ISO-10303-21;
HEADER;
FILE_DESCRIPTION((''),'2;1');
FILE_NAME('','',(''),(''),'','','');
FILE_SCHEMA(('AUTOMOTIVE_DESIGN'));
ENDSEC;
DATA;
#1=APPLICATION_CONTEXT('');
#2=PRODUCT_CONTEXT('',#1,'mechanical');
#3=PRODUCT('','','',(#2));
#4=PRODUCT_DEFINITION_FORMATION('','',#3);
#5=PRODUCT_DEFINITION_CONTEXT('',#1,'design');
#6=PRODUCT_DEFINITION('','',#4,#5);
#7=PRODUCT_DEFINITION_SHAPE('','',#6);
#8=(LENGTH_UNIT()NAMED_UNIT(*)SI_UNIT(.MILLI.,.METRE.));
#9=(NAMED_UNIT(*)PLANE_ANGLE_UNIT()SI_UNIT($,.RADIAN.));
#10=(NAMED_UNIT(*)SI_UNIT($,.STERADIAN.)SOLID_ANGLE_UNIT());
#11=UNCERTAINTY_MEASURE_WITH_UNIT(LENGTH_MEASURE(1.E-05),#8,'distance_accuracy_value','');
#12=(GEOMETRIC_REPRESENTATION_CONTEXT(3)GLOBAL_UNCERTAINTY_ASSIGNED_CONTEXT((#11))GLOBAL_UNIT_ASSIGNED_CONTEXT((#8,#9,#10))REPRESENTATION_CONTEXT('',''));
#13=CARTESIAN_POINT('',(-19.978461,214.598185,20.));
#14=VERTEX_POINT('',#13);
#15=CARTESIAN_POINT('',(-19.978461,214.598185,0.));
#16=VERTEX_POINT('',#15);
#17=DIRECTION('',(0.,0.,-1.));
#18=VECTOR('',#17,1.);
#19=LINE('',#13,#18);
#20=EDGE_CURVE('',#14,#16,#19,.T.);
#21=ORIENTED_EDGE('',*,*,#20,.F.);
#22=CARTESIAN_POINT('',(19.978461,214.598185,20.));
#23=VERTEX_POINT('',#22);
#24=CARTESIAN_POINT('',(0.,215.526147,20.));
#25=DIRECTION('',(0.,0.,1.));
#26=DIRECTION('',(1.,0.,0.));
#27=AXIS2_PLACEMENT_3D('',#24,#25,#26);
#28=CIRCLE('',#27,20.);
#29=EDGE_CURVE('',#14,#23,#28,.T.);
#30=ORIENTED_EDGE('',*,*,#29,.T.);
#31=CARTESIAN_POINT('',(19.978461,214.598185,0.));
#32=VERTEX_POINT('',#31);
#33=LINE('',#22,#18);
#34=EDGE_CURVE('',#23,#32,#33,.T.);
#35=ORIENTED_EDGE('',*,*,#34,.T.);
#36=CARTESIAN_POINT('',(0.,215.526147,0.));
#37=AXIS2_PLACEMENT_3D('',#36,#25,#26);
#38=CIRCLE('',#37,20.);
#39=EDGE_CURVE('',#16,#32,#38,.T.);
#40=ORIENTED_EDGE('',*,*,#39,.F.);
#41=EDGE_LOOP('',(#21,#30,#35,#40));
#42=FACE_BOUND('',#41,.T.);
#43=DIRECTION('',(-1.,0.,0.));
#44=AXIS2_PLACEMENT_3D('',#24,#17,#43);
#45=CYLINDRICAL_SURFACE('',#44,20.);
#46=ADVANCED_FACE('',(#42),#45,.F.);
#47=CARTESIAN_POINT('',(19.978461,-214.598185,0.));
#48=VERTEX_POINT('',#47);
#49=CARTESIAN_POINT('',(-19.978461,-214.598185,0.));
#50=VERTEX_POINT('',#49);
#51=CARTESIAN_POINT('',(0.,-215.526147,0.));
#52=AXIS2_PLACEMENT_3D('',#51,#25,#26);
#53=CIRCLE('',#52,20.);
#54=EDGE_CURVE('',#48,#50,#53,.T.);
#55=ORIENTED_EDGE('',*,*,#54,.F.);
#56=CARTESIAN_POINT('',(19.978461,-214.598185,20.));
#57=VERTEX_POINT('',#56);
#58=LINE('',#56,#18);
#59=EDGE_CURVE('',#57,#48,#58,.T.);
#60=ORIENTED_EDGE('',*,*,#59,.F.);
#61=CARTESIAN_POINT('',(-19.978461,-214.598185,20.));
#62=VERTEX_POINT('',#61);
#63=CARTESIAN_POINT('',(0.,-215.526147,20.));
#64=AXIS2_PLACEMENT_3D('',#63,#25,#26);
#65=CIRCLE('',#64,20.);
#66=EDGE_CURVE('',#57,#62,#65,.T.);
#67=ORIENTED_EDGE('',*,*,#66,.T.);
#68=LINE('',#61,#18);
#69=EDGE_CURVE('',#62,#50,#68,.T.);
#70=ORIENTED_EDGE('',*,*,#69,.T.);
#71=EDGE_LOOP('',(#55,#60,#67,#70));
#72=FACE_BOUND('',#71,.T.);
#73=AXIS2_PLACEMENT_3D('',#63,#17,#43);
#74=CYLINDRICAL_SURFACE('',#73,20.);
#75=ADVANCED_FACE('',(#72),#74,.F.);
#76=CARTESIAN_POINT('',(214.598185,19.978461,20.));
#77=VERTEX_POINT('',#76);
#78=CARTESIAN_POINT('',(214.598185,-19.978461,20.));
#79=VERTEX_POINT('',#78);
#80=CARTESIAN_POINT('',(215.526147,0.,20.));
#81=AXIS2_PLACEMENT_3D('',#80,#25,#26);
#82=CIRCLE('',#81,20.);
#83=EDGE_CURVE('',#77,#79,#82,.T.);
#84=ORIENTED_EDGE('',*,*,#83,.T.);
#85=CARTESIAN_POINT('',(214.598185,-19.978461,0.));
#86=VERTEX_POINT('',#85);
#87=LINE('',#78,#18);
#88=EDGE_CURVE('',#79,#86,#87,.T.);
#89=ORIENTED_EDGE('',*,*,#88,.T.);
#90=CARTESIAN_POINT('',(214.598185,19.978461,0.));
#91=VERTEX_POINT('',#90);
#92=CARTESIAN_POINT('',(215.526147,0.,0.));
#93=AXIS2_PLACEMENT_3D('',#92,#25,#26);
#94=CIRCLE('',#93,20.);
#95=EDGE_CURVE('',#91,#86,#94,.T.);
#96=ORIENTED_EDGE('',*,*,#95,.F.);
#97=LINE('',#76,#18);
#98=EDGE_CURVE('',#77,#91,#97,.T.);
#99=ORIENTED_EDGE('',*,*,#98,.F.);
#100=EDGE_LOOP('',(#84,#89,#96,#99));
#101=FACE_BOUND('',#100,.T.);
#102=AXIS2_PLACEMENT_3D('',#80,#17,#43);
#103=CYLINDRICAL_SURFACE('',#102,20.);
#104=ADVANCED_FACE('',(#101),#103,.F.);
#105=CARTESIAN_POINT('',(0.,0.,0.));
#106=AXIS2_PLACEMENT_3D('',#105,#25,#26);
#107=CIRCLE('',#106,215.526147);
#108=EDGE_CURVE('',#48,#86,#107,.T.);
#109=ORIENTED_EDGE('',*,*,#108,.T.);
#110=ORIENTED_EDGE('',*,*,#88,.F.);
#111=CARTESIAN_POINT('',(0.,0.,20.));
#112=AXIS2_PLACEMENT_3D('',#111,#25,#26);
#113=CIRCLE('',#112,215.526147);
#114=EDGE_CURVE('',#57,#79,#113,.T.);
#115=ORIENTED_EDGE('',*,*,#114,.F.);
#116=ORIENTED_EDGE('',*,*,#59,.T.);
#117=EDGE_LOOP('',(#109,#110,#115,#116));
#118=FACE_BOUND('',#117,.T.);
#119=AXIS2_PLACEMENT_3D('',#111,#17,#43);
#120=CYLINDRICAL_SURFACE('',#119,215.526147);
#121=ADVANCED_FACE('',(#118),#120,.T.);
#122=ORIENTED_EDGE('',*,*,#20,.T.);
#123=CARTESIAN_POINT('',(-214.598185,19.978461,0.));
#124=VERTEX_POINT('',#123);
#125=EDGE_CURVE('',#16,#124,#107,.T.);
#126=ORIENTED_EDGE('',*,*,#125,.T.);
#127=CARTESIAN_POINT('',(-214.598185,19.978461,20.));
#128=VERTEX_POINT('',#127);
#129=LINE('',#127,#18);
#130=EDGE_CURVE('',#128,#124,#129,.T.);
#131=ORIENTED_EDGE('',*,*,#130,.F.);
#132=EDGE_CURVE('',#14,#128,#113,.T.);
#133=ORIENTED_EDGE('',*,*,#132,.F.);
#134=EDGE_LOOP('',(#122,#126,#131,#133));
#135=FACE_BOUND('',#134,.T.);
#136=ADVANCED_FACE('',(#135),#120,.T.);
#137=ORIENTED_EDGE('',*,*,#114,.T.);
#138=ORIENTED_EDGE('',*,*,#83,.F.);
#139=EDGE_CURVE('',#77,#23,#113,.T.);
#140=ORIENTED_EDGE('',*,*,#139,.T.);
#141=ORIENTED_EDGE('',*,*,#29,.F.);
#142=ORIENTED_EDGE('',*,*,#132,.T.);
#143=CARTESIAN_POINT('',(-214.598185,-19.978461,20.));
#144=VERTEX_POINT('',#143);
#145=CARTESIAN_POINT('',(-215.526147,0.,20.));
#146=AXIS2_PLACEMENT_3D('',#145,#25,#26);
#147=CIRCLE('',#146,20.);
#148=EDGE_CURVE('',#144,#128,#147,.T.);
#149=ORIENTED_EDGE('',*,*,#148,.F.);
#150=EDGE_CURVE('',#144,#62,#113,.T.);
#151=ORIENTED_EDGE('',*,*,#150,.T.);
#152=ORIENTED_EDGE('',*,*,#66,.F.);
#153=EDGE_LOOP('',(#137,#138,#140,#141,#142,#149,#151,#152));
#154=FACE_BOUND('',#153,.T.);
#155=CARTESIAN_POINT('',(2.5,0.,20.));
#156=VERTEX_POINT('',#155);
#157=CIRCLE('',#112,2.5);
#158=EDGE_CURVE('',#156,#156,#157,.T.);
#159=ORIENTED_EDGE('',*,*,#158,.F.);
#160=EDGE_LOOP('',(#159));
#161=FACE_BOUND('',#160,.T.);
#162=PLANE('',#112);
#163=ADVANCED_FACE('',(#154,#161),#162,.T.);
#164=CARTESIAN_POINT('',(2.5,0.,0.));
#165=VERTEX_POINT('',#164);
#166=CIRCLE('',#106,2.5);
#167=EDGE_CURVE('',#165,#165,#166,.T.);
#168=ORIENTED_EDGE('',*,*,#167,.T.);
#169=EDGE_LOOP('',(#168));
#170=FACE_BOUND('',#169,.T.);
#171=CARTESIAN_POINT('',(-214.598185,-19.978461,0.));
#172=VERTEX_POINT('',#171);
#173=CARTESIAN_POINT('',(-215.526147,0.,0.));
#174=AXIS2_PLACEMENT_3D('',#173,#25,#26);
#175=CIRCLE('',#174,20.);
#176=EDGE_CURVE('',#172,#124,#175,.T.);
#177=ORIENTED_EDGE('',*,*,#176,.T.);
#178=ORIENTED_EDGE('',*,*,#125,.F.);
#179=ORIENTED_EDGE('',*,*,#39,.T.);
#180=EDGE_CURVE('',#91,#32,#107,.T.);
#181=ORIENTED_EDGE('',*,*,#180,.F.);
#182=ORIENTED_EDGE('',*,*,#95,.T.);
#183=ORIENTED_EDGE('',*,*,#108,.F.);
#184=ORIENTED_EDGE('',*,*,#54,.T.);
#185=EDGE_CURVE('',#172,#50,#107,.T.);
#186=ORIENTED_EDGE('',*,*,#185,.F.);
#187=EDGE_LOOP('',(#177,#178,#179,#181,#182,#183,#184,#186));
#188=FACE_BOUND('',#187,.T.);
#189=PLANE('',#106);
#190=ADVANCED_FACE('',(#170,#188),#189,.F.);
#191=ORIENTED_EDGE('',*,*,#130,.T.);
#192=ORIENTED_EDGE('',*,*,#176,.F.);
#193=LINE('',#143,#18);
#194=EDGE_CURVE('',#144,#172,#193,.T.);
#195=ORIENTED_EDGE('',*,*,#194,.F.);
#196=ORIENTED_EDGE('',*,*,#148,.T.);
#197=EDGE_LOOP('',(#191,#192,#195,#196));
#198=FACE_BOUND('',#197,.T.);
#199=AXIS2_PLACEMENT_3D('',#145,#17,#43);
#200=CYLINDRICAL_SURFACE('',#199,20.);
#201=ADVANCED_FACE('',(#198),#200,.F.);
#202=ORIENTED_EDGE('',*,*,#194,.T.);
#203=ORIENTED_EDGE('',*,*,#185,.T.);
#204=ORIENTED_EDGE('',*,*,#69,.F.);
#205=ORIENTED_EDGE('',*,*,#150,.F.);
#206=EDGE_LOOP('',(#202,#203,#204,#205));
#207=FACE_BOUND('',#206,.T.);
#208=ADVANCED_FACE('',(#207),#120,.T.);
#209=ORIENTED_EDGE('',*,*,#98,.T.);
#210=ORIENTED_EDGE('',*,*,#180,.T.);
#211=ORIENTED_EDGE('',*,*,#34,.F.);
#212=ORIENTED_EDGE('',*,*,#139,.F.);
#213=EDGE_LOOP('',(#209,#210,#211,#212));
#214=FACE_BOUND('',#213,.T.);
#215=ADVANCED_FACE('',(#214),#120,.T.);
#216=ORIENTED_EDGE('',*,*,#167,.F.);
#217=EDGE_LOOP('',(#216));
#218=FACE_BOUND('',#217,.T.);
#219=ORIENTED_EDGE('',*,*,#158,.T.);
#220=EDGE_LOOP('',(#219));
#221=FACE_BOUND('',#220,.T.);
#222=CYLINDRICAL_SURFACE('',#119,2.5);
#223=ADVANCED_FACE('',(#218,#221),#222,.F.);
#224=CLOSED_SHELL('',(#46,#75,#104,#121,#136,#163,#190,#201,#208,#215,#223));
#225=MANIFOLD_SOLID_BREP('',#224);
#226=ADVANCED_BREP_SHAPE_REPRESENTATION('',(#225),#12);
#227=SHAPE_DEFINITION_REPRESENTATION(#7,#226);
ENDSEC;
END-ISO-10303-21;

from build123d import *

# Parameters (mm, degrees)
SKETCH1_R           = 2.5
BOSS_EXTRUDE1_DEPTH = 20


with BuildPart() as part:
    # Sketch1 → Boss-Extrude1 (new body)
    with BuildSketch(Plane.XY):
        with BuildLine():
            ThreePointArc((214.598185251, -19.978460581), (195.526146906, 0), (214.598185251, 19.978460581))
            ThreePointArc((214.598185251, 19.978460581), (152.4, 152.4), (19.978460581, 214.598185251))
            ThreePointArc((19.978460581, 214.598185251), (0, 195.526146906), (-19.978460581, 214.598185251))
            ThreePointArc((-19.978460581, 214.598185251), (-152.4, 152.4), (-214.598185251, 19.978460581))
            ThreePointArc((-214.598185251, 19.978460581), (-201.059647103, 13.810155084), (-195.526146906, 0))
            ThreePointArc((-195.526146906, 0), (-201.059647103, -13.810155084), (-214.598185251, -19.978460581))
            ThreePointArc((-214.598185251, -19.978460581), (-152.4, -152.4), (-19.978460581, -214.598185251))
            ThreePointArc((-19.978460581, -214.598185251), (0, -195.526146906), (19.978460581, -214.598185251))
            ThreePointArc((19.978460581, -214.598185251), (152.4, -152.4), (214.598185251, -19.978460581))
        make_face()
        Circle(SKETCH1_R, mode=Mode.SUBTRACT)
    extrude(amount=BOSS_EXTRUDE1_DEPTH)


solid = part.part
